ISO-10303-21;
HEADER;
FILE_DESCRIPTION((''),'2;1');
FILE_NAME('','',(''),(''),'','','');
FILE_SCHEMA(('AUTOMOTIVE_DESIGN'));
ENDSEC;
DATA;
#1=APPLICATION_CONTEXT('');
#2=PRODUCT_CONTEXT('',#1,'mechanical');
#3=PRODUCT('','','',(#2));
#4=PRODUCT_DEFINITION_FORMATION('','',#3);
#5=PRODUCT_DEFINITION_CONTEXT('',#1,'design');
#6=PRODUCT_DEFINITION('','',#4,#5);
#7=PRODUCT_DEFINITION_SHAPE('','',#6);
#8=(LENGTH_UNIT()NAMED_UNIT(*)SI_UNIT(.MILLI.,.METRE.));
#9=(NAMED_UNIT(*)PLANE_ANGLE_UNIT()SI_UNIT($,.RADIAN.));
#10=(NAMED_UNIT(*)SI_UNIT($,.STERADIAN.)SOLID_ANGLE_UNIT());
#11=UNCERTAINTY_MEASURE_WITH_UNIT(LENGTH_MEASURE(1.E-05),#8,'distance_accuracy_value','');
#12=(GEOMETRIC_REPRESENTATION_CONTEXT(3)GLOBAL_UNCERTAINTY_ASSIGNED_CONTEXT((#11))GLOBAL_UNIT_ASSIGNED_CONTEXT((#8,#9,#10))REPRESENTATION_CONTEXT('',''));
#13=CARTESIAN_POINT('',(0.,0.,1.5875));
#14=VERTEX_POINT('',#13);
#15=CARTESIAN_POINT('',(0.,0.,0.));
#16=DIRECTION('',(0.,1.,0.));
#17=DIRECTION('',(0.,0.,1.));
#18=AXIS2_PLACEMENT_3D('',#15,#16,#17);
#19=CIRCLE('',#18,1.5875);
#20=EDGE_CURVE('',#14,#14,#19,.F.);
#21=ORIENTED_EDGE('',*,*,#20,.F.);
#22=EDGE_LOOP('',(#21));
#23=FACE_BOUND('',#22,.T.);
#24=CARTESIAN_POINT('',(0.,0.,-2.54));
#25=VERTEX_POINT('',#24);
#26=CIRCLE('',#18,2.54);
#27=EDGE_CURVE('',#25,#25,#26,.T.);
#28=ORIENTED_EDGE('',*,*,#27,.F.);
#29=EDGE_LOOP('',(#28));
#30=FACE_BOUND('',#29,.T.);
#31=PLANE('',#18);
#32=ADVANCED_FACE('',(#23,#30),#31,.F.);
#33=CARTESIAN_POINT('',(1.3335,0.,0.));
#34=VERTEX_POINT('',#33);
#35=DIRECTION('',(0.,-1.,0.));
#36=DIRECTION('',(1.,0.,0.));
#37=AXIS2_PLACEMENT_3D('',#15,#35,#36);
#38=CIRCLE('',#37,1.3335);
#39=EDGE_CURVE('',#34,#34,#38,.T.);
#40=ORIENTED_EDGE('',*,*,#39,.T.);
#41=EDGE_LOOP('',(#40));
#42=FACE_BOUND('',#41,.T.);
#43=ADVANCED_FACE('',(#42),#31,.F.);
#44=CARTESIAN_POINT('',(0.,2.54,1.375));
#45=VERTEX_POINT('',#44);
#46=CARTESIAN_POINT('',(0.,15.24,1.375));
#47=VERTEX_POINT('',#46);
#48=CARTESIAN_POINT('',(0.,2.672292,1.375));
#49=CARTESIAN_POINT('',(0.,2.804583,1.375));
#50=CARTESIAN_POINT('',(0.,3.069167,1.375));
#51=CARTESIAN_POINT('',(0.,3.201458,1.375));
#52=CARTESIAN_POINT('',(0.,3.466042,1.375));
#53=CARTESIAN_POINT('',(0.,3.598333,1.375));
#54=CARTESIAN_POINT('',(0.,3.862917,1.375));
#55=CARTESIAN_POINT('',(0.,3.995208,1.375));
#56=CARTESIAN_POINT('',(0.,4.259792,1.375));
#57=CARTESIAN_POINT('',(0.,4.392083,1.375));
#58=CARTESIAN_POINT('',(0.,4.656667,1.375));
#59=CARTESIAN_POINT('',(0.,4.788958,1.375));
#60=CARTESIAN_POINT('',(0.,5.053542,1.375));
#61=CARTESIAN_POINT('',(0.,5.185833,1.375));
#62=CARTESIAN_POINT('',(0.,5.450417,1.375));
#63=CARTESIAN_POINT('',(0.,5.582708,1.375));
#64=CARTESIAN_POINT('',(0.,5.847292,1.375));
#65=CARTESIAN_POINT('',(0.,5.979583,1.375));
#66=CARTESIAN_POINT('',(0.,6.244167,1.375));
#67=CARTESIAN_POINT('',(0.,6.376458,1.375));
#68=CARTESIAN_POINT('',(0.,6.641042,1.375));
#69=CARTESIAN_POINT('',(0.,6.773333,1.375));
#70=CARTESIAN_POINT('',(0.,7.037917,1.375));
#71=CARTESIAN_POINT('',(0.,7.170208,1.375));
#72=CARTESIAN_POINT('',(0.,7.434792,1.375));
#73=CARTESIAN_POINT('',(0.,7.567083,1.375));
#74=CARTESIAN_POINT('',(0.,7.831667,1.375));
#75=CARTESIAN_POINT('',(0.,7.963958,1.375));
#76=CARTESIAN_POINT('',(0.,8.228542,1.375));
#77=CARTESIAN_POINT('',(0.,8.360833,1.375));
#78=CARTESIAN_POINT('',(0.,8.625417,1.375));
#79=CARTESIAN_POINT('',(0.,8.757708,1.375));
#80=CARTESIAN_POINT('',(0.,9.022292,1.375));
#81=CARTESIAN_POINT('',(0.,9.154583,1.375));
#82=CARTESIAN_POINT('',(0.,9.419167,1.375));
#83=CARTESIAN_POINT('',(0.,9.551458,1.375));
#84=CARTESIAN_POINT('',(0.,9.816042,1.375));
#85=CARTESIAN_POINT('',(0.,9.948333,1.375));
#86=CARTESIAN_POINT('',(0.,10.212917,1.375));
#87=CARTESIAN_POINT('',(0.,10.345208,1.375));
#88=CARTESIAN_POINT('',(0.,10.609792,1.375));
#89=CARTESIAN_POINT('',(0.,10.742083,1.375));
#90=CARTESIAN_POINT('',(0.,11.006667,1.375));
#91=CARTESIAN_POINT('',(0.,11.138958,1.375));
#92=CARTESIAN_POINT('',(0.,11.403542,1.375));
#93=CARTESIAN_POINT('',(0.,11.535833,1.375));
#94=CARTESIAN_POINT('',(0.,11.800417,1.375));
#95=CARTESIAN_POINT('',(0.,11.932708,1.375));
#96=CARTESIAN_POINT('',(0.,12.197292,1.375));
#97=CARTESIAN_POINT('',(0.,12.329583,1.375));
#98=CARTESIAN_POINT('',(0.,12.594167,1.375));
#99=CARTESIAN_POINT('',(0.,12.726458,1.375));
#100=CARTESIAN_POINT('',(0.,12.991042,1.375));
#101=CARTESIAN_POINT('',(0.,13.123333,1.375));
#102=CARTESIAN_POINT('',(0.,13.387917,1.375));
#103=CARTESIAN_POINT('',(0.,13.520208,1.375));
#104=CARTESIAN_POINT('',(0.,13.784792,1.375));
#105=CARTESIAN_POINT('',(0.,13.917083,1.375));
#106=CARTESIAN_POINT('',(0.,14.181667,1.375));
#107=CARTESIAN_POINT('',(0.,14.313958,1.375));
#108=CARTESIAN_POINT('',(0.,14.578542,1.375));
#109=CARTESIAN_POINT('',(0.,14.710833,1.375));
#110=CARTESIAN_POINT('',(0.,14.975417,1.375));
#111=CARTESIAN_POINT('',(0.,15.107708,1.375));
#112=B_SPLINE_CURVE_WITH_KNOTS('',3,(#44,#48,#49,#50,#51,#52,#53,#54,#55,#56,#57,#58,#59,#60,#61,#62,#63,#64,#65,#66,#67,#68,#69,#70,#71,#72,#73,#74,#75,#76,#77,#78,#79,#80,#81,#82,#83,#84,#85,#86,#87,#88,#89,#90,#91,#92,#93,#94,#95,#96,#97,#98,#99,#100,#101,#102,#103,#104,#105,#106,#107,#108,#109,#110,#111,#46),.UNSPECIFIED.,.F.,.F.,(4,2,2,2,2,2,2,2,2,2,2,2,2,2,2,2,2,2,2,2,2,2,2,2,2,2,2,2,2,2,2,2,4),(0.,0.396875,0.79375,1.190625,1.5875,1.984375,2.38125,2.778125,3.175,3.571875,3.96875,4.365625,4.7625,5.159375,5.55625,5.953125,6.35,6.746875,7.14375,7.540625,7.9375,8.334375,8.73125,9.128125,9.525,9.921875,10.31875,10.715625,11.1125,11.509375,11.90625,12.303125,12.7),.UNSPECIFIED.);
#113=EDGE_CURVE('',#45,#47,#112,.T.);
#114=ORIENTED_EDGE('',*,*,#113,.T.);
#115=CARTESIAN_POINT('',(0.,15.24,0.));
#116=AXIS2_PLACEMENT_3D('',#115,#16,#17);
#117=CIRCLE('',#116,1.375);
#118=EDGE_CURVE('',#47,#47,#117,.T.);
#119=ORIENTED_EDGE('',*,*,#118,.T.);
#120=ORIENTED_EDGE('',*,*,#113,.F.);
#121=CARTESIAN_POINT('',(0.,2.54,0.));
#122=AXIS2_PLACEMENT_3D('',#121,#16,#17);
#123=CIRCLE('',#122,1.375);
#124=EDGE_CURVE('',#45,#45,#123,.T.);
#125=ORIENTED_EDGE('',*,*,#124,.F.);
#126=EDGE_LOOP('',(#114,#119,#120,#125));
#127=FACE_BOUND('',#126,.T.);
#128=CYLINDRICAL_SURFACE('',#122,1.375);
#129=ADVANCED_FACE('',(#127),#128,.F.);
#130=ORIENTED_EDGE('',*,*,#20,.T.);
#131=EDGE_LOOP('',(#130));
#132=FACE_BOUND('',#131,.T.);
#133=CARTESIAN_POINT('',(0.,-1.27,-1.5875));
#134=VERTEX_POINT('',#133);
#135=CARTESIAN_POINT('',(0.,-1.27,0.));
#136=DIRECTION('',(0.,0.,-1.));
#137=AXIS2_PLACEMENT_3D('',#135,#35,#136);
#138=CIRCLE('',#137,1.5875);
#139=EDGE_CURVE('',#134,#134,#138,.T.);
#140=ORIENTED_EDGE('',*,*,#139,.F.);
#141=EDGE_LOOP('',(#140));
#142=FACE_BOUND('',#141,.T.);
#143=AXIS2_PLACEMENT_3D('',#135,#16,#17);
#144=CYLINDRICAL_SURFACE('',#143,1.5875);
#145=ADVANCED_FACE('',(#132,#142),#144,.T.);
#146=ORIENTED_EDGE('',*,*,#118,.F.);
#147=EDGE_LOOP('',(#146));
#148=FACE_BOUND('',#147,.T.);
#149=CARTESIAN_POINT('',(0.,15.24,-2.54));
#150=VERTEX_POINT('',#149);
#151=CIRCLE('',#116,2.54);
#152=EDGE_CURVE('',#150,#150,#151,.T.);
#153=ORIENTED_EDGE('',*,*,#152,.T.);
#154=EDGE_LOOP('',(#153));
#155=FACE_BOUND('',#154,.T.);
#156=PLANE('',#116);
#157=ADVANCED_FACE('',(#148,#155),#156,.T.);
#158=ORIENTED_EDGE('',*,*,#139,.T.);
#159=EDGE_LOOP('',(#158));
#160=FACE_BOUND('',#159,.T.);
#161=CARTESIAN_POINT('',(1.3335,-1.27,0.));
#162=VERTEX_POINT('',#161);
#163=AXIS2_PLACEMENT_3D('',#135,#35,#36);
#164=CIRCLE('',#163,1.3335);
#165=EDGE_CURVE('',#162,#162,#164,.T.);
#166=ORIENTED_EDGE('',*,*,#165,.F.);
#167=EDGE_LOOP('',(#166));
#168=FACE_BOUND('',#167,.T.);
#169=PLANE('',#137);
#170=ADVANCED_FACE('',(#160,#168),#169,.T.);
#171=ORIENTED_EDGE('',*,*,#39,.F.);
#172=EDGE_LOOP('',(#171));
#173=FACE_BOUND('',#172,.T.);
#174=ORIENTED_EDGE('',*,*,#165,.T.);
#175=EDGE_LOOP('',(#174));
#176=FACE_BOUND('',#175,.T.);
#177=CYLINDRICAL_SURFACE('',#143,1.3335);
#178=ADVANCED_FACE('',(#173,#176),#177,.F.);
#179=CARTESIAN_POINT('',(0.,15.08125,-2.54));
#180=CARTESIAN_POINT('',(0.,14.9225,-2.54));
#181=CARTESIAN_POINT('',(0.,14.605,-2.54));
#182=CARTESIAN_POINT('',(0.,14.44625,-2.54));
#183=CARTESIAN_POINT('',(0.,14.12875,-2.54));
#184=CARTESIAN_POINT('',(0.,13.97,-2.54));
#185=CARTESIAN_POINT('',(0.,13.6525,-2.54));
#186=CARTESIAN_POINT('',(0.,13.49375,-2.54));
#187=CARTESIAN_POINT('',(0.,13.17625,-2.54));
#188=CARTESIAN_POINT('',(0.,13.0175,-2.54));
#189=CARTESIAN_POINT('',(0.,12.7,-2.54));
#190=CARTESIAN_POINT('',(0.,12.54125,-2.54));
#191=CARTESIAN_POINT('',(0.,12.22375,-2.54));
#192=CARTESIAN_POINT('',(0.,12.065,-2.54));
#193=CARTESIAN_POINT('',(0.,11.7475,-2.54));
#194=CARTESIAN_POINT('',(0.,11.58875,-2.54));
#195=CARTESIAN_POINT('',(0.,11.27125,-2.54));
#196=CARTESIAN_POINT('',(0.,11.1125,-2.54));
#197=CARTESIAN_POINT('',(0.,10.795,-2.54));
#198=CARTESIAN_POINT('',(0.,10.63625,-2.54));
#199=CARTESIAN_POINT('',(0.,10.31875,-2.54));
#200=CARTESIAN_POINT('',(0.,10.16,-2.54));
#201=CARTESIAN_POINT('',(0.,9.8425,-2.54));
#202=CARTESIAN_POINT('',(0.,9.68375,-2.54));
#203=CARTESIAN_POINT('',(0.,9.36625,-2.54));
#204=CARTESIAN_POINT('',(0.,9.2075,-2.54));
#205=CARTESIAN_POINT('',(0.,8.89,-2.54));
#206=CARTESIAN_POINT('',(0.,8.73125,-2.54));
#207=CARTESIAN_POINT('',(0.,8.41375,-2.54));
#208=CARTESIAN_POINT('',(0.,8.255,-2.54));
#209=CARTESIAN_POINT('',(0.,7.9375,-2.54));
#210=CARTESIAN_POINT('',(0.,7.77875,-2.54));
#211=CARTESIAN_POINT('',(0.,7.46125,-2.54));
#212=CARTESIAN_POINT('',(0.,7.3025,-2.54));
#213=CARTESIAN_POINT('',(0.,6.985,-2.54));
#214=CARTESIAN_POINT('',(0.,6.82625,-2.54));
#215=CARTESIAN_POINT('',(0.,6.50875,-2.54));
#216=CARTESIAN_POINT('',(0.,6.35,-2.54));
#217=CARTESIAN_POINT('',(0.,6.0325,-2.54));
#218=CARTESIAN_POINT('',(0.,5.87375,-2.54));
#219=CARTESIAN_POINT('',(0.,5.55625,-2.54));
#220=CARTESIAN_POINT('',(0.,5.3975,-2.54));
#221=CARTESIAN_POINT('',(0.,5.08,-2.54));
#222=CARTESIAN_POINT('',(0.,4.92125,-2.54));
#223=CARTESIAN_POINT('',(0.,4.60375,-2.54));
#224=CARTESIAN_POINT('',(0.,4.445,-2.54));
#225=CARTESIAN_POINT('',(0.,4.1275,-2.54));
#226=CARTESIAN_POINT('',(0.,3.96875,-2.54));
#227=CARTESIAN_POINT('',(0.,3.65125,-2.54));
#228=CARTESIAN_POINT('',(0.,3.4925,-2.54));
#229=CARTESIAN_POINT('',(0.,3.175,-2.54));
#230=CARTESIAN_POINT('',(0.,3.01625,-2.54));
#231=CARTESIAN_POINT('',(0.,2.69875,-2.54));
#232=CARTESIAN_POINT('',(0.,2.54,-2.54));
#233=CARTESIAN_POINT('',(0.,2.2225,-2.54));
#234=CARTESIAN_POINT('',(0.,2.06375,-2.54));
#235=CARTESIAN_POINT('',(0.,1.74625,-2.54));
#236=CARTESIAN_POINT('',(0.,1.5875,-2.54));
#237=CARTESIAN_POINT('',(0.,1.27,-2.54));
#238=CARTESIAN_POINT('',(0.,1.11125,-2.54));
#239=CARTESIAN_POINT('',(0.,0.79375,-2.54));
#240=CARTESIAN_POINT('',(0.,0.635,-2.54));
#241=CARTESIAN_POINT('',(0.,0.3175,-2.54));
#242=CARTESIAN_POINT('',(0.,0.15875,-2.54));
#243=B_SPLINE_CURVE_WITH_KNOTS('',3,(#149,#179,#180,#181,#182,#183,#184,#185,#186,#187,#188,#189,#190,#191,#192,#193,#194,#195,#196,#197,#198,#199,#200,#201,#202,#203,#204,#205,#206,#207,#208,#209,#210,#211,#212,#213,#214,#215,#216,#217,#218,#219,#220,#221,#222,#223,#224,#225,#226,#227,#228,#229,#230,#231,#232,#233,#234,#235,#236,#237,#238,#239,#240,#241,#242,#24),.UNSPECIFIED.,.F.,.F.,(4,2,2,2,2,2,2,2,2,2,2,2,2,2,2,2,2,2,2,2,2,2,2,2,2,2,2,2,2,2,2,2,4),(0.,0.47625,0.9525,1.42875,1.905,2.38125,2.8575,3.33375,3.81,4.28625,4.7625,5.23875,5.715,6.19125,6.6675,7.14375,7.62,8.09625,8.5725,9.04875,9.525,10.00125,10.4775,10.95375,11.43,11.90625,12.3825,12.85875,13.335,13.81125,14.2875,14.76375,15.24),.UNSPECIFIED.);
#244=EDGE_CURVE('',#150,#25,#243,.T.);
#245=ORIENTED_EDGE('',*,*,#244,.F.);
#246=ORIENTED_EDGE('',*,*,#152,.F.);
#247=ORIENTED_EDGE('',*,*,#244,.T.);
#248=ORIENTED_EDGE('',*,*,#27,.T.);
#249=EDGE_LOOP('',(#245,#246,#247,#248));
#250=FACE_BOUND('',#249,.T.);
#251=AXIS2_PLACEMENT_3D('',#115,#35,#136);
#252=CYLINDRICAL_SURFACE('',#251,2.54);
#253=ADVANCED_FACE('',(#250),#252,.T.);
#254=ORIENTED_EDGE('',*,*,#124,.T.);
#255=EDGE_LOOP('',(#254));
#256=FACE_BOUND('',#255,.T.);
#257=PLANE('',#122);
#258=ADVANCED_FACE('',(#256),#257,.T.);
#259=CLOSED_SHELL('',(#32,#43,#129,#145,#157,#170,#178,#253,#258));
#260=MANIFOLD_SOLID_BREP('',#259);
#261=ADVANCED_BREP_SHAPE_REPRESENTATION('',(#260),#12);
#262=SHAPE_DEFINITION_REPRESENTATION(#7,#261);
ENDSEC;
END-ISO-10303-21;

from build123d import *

# Parameters (mm, degrees)
SKETCH1_R           = 2.54
BOSS_EXTRUDE1_DEPTH = 15.24
SKETCH2_R           = 1.375
CUT_EXTRUDE1_DEPTH  = 12.7
SKETCH4_R           = 1.5875
SKETCH4_R_2         = 1.3335
EXTRUDE_THIN1_DEPTH = 1.27


with BuildPart() as part:
    # Sketch1 → Boss-Extrude1 (new body)
    with BuildSketch(Plane(origin=(0, 0, 0), x_dir=(1, 0, 0), z_dir=(0, 1, 0))):
        with Locations(Location((0, 0, 0), (0, 0, 90))):
            Circle(SKETCH1_R)
    extrude(amount=BOSS_EXTRUDE1_DEPTH)

    # Sketch2 → Cut-Extrude1 (cut)
    with BuildSketch(Plane(origin=(0, 15.24, 0), x_dir=(1, 0, 0), z_dir=(0, 1, 0))):
        with Locations(Location((0, 0, 0), (0, 0, 270))):
            Circle(SKETCH2_R)
    extrude(amount=-CUT_EXTRUDE1_DEPTH, mode=Mode.SUBTRACT)

    # Sketch4 → Extrude-Thin1 (add)
    with BuildSketch(Plane.XZ):
        Circle(SKETCH4_R)
        Circle(SKETCH4_R_2, mode=Mode.SUBTRACT)
    extrude(amount=EXTRUDE_THIN1_DEPTH)


solid = part.part
